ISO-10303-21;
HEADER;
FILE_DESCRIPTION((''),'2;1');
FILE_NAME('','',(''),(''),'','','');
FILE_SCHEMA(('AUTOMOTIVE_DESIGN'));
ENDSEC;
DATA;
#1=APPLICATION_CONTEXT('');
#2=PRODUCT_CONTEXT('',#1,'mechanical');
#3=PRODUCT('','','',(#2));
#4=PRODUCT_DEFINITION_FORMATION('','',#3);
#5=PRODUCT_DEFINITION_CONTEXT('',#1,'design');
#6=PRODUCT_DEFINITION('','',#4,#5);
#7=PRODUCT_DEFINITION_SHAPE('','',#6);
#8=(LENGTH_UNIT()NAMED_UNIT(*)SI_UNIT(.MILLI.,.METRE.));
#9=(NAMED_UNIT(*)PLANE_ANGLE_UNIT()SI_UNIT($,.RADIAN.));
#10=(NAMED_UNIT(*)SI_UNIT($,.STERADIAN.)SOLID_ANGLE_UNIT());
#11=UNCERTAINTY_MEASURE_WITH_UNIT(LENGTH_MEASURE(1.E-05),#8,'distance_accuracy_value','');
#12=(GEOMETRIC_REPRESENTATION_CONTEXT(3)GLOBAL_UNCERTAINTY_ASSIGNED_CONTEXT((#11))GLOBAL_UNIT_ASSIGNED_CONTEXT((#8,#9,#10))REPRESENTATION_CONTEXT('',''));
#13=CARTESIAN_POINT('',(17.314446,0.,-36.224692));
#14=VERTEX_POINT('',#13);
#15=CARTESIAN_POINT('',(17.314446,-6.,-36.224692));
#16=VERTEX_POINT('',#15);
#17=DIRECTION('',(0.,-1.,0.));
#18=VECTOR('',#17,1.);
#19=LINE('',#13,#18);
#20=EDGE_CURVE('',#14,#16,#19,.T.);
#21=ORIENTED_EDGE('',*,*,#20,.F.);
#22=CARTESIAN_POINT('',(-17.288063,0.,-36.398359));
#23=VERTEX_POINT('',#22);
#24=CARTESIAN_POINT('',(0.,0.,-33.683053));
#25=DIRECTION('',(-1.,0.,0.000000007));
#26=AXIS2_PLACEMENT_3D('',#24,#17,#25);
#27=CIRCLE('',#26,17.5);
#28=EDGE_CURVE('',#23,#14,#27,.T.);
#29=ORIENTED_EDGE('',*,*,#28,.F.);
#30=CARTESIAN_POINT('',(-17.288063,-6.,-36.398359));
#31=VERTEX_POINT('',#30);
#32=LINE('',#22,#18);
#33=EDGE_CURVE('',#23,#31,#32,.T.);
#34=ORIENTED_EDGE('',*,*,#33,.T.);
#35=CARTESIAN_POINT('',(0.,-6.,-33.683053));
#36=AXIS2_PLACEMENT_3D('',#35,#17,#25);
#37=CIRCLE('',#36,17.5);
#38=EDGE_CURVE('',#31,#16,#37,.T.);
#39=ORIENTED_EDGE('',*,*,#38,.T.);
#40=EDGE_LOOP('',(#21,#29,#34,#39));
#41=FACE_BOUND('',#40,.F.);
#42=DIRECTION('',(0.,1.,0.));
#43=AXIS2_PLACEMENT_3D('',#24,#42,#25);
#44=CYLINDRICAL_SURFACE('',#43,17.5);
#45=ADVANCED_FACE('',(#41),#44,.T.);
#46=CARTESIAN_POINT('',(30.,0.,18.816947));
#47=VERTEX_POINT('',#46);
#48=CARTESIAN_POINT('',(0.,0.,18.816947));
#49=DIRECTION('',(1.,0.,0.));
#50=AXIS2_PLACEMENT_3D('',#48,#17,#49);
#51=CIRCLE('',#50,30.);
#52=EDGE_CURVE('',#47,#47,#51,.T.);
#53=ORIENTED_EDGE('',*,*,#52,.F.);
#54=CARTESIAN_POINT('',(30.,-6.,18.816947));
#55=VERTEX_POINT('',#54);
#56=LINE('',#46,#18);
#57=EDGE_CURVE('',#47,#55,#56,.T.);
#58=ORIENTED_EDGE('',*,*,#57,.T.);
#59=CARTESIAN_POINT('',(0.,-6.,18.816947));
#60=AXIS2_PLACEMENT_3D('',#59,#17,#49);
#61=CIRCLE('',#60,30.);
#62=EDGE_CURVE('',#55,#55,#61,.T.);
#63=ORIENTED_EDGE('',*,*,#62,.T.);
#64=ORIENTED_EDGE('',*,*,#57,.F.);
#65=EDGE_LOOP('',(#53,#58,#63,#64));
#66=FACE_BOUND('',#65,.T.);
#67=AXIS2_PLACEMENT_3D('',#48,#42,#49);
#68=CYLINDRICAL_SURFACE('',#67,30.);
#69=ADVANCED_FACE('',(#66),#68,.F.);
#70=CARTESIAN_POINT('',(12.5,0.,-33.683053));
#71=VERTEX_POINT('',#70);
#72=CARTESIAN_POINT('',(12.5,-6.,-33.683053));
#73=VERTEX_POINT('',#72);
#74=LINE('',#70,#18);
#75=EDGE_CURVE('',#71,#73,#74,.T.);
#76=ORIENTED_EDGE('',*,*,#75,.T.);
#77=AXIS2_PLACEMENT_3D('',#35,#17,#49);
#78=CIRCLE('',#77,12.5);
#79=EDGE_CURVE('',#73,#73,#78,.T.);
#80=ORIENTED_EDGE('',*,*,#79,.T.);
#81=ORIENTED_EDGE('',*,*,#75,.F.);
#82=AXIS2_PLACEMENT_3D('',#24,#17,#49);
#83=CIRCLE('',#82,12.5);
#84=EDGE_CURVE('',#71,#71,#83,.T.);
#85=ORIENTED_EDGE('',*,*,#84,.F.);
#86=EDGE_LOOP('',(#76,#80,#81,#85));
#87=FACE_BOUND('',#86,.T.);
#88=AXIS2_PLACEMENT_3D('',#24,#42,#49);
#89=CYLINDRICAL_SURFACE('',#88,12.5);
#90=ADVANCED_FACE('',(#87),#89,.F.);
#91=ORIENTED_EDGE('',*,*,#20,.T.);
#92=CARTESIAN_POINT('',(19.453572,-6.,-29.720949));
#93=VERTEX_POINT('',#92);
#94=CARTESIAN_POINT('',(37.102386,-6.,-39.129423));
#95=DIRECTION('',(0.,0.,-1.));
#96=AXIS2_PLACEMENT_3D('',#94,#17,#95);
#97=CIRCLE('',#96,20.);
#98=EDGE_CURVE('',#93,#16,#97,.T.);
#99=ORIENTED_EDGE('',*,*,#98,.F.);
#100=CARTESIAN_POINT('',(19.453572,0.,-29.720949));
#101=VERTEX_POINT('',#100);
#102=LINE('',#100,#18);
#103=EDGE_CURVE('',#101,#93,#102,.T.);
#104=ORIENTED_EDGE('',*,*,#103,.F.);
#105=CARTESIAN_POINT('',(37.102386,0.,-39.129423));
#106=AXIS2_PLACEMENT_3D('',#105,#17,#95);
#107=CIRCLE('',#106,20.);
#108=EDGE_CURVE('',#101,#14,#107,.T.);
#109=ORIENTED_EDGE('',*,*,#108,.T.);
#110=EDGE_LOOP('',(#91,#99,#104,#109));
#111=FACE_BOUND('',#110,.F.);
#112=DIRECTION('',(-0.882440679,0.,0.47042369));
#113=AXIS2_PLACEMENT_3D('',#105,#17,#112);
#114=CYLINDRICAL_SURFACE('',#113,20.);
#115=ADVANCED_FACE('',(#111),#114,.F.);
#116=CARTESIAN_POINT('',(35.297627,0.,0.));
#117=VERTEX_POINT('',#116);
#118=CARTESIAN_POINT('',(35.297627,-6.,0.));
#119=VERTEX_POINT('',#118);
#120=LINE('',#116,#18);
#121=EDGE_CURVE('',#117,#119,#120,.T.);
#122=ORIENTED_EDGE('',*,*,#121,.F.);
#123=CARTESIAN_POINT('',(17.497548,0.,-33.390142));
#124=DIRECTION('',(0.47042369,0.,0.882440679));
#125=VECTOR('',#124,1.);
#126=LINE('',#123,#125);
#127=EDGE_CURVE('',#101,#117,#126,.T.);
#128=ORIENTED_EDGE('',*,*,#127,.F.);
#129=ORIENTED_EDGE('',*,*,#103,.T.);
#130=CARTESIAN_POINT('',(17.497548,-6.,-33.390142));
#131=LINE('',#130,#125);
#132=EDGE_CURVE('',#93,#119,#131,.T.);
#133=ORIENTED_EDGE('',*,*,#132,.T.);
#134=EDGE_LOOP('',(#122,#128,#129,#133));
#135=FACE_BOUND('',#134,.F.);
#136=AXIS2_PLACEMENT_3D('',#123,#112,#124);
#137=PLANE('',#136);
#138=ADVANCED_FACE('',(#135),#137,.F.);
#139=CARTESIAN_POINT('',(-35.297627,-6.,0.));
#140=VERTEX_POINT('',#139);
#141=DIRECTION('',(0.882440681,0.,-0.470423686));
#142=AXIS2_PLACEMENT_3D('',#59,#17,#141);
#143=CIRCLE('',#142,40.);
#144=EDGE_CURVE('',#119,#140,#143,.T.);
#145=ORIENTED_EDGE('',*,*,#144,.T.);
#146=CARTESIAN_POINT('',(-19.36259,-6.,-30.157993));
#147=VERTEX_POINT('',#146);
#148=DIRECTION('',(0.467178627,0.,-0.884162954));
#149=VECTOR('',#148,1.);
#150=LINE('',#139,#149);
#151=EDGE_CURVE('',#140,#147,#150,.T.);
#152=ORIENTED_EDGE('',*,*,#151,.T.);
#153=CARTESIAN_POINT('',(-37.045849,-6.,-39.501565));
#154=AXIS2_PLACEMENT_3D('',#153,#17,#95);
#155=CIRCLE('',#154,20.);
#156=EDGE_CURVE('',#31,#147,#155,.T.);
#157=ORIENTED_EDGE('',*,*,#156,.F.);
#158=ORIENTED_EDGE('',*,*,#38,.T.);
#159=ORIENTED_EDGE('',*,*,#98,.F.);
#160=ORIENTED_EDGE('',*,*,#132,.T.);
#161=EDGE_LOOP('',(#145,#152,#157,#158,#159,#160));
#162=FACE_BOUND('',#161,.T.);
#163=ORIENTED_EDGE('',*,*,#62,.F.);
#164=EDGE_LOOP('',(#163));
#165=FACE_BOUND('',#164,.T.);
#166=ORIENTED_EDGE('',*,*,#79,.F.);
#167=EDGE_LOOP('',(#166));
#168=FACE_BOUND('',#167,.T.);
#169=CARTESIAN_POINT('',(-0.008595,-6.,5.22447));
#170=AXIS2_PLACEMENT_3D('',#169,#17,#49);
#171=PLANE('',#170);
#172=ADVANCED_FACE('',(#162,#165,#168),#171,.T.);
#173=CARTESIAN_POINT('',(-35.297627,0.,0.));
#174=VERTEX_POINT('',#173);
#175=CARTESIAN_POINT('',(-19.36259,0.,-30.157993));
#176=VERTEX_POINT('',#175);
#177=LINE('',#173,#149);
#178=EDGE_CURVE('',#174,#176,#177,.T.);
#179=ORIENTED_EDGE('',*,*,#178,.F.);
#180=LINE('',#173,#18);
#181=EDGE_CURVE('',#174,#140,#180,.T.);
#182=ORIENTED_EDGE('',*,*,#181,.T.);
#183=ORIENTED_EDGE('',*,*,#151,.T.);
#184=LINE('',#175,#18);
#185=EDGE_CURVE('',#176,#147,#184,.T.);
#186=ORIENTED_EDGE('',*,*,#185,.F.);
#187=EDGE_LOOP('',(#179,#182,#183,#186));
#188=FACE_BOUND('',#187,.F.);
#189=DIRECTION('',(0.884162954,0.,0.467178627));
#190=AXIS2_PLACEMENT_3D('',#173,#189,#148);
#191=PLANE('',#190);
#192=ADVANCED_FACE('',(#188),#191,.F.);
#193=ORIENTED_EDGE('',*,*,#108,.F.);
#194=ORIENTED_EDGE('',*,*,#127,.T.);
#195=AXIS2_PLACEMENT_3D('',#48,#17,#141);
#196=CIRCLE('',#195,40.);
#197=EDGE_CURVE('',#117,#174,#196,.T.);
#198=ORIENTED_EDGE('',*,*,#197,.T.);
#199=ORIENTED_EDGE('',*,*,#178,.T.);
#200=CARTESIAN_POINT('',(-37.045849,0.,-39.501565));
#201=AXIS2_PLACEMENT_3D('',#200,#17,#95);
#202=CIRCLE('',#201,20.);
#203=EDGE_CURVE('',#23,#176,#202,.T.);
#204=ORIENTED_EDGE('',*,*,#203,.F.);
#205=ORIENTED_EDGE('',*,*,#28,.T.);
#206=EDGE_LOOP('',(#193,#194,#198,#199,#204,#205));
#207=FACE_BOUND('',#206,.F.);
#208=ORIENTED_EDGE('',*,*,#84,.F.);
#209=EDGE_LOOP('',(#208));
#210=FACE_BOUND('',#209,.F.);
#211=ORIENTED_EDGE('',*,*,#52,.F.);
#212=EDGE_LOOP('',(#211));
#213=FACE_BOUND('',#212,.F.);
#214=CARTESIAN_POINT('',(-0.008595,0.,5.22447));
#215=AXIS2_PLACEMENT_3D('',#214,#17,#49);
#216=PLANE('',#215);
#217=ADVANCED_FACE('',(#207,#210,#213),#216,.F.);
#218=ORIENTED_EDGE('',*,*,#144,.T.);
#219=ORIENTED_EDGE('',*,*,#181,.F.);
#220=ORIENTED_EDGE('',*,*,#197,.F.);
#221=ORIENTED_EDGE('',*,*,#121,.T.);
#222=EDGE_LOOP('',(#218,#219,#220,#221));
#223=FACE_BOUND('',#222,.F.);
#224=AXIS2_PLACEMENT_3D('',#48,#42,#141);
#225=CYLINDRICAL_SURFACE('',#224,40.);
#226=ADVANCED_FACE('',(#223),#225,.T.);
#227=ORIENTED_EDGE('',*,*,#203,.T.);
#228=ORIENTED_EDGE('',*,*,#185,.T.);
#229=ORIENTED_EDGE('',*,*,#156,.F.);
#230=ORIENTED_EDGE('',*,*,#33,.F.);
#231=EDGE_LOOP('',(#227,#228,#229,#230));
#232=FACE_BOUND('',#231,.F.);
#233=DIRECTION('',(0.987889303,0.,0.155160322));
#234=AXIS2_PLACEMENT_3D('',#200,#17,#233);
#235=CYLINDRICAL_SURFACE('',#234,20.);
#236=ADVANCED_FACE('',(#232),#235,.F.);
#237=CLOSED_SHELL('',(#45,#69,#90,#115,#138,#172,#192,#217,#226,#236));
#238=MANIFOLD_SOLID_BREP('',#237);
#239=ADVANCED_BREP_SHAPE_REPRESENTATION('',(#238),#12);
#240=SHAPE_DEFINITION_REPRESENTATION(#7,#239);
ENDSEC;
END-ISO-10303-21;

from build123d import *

# Parameters (mm, degrees)
F0_R     = 12.5
F0_R_2   = 30
F1_DEPTH = 6
F2_R     = 20


with BuildPart() as f1:
    # F0 (on Front) → F1 (new body)
    with BuildSketch(Plane.XZ):
        with BuildLine():
            Line((17.497548, -33.390142), (35.297627, 0))
            ThreePointArc((35.297627, 0), (0, 58.816947), (-35.297627, 0))
            Line((-35.297627, 0), (-17.5, -33.683053))
            ThreePointArc((-17.5, -33.683053), (0.14646, -51.18244), (17.497548, -33.390142))
        make_face()
        with Locations((0, -33.683053)):
            Circle(F0_R, mode=Mode.SUBTRACT)
        with Locations((0, 18.816947)):
            Circle(F0_R_2, mode=Mode.SUBTRACT)
    extrude(amount=F1_DEPTH)

    # F2
    f2_edges = [f1.edges().sort_by_distance(p)[0] for p in [
        (17.497548, -3, -33.390142),
        (-17.5, -3, -33.683053),
    ]]
    fillet(f2_edges, radius=F2_R)


solid = f1.part
